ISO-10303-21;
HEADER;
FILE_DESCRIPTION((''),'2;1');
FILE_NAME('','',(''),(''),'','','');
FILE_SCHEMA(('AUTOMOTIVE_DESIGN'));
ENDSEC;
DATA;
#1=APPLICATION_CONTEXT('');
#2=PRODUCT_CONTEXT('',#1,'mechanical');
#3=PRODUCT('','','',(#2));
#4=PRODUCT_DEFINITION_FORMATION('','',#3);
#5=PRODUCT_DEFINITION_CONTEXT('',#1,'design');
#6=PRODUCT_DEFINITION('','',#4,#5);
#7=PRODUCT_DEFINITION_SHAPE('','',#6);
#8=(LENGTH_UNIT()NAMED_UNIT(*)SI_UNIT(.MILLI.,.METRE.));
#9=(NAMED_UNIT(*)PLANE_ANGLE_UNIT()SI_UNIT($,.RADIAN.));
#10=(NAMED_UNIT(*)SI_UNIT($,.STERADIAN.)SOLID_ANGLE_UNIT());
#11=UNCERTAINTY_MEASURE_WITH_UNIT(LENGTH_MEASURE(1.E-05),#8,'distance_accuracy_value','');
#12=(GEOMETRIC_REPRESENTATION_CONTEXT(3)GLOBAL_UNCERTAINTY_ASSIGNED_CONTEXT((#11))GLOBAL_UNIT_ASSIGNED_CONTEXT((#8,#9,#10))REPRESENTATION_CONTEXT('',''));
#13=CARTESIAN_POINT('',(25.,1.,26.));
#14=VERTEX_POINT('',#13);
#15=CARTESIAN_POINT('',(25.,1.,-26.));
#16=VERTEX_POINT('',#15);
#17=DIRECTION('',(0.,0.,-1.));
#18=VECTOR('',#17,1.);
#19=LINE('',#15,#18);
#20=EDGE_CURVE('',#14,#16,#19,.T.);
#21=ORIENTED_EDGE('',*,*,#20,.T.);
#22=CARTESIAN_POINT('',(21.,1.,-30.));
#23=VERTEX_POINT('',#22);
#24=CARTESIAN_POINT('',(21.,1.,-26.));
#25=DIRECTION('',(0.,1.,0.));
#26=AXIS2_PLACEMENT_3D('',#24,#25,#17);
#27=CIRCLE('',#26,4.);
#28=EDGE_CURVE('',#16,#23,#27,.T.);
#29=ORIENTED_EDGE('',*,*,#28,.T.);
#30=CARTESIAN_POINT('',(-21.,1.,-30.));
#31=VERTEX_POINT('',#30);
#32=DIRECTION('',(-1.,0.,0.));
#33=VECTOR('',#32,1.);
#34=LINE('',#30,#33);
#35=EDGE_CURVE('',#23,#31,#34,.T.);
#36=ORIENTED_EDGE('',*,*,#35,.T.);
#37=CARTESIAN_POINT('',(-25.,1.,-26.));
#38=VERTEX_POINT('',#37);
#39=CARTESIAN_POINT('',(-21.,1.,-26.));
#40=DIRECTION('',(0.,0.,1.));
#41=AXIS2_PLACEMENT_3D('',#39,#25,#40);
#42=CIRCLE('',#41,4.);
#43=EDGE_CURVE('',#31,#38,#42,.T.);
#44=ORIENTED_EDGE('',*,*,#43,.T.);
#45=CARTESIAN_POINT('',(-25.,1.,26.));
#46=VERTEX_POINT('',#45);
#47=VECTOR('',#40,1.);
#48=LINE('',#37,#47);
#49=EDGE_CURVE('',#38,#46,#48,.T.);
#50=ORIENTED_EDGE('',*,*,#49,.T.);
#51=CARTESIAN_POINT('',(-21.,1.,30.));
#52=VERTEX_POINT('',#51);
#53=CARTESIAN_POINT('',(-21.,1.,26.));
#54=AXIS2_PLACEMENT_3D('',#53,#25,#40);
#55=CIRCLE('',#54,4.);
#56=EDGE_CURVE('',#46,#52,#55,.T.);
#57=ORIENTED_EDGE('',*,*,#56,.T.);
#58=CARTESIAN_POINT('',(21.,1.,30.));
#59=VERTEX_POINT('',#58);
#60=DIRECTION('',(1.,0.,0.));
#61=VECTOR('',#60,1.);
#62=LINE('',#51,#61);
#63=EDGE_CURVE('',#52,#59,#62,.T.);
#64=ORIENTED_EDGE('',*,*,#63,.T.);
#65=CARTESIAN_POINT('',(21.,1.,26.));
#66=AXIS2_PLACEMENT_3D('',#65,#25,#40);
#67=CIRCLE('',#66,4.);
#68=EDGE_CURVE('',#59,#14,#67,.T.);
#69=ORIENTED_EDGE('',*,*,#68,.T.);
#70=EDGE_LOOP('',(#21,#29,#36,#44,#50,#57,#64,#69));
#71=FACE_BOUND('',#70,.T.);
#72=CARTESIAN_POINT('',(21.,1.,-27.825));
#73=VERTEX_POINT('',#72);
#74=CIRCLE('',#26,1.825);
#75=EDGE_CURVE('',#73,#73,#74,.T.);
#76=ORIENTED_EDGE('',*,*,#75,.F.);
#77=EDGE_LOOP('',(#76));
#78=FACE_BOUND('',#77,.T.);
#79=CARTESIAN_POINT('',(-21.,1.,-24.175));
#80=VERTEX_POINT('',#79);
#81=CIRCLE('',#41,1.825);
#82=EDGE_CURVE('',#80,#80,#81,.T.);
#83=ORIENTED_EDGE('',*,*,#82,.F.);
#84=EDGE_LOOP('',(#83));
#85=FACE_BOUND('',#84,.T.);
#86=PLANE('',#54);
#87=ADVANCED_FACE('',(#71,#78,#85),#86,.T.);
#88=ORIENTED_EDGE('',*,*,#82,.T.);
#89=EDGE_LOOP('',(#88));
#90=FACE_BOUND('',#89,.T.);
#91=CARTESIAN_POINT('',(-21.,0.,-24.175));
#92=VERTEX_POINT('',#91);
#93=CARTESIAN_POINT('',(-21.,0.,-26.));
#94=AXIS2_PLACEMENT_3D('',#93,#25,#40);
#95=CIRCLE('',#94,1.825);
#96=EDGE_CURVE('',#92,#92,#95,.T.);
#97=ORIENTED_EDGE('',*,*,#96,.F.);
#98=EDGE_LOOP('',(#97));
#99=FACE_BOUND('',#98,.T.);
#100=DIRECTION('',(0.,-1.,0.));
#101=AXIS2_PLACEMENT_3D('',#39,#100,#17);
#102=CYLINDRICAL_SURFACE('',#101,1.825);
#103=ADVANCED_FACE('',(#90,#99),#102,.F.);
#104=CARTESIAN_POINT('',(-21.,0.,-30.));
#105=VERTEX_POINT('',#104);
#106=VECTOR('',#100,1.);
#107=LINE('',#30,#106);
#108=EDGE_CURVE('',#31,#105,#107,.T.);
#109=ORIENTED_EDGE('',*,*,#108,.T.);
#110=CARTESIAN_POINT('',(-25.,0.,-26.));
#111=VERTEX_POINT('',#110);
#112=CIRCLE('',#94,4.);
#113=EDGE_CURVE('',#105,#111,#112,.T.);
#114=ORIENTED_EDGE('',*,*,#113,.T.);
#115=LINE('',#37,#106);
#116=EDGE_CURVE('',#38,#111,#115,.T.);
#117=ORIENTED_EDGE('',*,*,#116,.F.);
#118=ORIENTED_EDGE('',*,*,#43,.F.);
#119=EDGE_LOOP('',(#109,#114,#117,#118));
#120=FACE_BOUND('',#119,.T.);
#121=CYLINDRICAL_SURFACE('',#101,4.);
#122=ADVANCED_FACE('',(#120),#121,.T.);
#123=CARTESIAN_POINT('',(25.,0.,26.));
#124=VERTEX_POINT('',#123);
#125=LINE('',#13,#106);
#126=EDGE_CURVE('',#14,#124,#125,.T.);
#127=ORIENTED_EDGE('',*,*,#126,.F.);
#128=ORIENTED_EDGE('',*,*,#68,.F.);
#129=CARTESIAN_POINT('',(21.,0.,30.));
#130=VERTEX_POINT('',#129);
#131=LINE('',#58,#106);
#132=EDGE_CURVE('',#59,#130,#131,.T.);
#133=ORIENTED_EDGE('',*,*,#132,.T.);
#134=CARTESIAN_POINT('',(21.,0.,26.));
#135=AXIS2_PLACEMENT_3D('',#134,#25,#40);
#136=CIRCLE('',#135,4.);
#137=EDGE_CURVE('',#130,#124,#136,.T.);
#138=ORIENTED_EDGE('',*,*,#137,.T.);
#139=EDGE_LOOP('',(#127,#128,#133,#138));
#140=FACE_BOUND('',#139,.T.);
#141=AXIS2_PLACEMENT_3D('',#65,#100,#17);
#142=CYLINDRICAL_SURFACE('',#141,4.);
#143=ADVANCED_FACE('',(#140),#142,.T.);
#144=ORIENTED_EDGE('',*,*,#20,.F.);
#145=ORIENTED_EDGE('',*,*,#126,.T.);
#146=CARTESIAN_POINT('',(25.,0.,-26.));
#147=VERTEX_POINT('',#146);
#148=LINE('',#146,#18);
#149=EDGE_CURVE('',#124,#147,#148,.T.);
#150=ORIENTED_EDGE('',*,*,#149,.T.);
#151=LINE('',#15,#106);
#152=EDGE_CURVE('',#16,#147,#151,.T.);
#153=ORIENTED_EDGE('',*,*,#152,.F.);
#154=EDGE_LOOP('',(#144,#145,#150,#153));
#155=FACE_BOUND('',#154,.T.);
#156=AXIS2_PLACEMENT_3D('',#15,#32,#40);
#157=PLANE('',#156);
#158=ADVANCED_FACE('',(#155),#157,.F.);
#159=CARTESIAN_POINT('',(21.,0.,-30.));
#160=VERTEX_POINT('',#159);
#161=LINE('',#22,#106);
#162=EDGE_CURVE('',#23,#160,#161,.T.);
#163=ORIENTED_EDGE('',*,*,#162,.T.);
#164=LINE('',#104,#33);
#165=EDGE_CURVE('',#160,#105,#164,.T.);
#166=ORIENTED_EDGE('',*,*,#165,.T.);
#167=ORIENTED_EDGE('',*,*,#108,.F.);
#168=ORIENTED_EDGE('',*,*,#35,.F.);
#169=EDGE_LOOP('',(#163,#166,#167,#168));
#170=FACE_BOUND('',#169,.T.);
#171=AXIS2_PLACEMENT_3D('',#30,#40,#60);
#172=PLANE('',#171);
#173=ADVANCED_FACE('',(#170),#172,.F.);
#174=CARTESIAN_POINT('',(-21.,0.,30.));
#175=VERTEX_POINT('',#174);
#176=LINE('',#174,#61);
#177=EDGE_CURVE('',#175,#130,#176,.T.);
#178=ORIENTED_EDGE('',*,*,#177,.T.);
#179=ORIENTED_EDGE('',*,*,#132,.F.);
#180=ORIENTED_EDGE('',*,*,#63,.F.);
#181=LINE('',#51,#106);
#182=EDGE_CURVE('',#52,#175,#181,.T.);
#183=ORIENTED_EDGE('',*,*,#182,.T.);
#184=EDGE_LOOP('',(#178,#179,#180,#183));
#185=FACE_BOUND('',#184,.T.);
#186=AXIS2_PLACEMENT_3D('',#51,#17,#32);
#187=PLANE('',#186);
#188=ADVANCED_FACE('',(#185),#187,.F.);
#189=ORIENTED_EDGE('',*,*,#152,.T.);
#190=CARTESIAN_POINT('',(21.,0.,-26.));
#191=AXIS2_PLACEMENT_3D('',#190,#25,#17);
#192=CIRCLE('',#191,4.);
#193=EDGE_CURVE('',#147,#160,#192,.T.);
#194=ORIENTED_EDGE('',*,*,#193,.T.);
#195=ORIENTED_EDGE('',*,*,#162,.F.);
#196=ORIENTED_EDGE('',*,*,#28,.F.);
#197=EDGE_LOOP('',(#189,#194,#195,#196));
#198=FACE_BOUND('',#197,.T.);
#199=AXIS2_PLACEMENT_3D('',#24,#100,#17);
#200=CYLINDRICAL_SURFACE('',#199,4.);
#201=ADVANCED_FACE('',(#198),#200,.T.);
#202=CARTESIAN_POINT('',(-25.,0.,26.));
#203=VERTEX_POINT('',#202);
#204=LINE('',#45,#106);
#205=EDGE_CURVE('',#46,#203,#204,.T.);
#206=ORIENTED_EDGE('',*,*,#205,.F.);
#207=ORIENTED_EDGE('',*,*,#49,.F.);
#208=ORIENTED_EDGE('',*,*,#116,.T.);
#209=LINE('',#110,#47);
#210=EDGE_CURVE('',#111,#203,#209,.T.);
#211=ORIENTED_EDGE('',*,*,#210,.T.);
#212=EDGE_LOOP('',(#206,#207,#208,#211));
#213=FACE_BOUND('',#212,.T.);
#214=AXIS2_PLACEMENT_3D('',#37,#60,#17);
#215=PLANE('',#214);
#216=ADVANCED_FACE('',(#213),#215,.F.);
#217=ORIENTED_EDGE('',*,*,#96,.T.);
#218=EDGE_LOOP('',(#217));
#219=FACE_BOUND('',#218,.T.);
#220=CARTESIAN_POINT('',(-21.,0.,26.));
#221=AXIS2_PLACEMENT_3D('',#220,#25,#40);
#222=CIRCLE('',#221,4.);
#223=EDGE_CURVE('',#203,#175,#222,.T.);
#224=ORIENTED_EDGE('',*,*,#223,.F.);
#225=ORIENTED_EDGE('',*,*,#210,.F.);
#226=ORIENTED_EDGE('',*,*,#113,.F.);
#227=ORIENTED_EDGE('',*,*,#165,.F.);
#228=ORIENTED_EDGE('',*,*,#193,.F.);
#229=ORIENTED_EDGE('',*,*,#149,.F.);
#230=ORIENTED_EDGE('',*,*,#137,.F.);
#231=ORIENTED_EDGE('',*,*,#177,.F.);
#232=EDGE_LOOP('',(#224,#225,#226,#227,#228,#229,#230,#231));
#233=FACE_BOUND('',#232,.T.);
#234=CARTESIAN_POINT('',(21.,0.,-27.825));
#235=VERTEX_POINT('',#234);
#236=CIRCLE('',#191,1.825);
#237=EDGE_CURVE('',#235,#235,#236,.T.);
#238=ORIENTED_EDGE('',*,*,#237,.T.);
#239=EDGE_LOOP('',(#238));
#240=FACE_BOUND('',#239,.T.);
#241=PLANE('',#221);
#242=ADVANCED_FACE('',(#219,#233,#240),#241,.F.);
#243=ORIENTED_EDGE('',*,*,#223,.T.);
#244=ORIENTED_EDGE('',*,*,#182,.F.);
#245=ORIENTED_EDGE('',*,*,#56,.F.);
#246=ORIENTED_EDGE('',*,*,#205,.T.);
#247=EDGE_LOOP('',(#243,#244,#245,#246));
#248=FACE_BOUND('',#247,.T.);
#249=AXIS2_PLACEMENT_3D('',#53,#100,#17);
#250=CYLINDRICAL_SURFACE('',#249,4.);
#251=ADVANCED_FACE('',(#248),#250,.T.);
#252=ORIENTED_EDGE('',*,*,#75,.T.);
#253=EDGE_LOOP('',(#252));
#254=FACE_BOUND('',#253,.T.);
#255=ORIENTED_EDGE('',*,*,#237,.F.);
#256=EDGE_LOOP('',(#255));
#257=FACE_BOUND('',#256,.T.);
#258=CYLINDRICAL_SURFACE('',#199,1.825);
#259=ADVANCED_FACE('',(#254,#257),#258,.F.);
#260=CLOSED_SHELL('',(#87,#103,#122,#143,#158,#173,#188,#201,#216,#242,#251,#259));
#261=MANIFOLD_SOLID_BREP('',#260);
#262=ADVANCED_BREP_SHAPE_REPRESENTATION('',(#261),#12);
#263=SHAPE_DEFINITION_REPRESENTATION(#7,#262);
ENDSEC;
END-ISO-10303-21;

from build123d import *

# Parameters (mm, degrees)
SKETCH1_R           = 1.825
BOSS_EXTRUDE1_DEPTH = 1


with BuildPart() as part:
    # Sketch1 → Boss-Extrude1 (new body)
    with BuildSketch(Plane(origin=(0, 0, 0), x_dir=(1, 0, 0), z_dir=(0, 1, 0))):
        with BuildLine():
            Line((-21, 30), (21, 30))
            ThreePointArc((21, 30), (23.828427125, 28.828427125), (25, 26))
            Line((25, 26), (25, -26))
            ThreePointArc((25, -26), (23.828427125, -28.828427125), (21, -30))
            Line((21, -30), (-21, -30))
            ThreePointArc((-21, -30), (-23.828427125, -28.828427125), (-25, -26))
            Line((-25, -26), (-25, 26))
            ThreePointArc((-25, 26), (-23.828427125, 28.828427125), (-21, 30))
        make_face()
        with Locations(Location((-21, 26, 0), (0, 0, 270))):
            Circle(SKETCH1_R, mode=Mode.SUBTRACT)
        with Locations(Location((21, 26, 0), (0, 0, 90))):
            Circle(SKETCH1_R, mode=Mode.SUBTRACT)
    extrude(amount=BOSS_EXTRUDE1_DEPTH)


solid = part.part
